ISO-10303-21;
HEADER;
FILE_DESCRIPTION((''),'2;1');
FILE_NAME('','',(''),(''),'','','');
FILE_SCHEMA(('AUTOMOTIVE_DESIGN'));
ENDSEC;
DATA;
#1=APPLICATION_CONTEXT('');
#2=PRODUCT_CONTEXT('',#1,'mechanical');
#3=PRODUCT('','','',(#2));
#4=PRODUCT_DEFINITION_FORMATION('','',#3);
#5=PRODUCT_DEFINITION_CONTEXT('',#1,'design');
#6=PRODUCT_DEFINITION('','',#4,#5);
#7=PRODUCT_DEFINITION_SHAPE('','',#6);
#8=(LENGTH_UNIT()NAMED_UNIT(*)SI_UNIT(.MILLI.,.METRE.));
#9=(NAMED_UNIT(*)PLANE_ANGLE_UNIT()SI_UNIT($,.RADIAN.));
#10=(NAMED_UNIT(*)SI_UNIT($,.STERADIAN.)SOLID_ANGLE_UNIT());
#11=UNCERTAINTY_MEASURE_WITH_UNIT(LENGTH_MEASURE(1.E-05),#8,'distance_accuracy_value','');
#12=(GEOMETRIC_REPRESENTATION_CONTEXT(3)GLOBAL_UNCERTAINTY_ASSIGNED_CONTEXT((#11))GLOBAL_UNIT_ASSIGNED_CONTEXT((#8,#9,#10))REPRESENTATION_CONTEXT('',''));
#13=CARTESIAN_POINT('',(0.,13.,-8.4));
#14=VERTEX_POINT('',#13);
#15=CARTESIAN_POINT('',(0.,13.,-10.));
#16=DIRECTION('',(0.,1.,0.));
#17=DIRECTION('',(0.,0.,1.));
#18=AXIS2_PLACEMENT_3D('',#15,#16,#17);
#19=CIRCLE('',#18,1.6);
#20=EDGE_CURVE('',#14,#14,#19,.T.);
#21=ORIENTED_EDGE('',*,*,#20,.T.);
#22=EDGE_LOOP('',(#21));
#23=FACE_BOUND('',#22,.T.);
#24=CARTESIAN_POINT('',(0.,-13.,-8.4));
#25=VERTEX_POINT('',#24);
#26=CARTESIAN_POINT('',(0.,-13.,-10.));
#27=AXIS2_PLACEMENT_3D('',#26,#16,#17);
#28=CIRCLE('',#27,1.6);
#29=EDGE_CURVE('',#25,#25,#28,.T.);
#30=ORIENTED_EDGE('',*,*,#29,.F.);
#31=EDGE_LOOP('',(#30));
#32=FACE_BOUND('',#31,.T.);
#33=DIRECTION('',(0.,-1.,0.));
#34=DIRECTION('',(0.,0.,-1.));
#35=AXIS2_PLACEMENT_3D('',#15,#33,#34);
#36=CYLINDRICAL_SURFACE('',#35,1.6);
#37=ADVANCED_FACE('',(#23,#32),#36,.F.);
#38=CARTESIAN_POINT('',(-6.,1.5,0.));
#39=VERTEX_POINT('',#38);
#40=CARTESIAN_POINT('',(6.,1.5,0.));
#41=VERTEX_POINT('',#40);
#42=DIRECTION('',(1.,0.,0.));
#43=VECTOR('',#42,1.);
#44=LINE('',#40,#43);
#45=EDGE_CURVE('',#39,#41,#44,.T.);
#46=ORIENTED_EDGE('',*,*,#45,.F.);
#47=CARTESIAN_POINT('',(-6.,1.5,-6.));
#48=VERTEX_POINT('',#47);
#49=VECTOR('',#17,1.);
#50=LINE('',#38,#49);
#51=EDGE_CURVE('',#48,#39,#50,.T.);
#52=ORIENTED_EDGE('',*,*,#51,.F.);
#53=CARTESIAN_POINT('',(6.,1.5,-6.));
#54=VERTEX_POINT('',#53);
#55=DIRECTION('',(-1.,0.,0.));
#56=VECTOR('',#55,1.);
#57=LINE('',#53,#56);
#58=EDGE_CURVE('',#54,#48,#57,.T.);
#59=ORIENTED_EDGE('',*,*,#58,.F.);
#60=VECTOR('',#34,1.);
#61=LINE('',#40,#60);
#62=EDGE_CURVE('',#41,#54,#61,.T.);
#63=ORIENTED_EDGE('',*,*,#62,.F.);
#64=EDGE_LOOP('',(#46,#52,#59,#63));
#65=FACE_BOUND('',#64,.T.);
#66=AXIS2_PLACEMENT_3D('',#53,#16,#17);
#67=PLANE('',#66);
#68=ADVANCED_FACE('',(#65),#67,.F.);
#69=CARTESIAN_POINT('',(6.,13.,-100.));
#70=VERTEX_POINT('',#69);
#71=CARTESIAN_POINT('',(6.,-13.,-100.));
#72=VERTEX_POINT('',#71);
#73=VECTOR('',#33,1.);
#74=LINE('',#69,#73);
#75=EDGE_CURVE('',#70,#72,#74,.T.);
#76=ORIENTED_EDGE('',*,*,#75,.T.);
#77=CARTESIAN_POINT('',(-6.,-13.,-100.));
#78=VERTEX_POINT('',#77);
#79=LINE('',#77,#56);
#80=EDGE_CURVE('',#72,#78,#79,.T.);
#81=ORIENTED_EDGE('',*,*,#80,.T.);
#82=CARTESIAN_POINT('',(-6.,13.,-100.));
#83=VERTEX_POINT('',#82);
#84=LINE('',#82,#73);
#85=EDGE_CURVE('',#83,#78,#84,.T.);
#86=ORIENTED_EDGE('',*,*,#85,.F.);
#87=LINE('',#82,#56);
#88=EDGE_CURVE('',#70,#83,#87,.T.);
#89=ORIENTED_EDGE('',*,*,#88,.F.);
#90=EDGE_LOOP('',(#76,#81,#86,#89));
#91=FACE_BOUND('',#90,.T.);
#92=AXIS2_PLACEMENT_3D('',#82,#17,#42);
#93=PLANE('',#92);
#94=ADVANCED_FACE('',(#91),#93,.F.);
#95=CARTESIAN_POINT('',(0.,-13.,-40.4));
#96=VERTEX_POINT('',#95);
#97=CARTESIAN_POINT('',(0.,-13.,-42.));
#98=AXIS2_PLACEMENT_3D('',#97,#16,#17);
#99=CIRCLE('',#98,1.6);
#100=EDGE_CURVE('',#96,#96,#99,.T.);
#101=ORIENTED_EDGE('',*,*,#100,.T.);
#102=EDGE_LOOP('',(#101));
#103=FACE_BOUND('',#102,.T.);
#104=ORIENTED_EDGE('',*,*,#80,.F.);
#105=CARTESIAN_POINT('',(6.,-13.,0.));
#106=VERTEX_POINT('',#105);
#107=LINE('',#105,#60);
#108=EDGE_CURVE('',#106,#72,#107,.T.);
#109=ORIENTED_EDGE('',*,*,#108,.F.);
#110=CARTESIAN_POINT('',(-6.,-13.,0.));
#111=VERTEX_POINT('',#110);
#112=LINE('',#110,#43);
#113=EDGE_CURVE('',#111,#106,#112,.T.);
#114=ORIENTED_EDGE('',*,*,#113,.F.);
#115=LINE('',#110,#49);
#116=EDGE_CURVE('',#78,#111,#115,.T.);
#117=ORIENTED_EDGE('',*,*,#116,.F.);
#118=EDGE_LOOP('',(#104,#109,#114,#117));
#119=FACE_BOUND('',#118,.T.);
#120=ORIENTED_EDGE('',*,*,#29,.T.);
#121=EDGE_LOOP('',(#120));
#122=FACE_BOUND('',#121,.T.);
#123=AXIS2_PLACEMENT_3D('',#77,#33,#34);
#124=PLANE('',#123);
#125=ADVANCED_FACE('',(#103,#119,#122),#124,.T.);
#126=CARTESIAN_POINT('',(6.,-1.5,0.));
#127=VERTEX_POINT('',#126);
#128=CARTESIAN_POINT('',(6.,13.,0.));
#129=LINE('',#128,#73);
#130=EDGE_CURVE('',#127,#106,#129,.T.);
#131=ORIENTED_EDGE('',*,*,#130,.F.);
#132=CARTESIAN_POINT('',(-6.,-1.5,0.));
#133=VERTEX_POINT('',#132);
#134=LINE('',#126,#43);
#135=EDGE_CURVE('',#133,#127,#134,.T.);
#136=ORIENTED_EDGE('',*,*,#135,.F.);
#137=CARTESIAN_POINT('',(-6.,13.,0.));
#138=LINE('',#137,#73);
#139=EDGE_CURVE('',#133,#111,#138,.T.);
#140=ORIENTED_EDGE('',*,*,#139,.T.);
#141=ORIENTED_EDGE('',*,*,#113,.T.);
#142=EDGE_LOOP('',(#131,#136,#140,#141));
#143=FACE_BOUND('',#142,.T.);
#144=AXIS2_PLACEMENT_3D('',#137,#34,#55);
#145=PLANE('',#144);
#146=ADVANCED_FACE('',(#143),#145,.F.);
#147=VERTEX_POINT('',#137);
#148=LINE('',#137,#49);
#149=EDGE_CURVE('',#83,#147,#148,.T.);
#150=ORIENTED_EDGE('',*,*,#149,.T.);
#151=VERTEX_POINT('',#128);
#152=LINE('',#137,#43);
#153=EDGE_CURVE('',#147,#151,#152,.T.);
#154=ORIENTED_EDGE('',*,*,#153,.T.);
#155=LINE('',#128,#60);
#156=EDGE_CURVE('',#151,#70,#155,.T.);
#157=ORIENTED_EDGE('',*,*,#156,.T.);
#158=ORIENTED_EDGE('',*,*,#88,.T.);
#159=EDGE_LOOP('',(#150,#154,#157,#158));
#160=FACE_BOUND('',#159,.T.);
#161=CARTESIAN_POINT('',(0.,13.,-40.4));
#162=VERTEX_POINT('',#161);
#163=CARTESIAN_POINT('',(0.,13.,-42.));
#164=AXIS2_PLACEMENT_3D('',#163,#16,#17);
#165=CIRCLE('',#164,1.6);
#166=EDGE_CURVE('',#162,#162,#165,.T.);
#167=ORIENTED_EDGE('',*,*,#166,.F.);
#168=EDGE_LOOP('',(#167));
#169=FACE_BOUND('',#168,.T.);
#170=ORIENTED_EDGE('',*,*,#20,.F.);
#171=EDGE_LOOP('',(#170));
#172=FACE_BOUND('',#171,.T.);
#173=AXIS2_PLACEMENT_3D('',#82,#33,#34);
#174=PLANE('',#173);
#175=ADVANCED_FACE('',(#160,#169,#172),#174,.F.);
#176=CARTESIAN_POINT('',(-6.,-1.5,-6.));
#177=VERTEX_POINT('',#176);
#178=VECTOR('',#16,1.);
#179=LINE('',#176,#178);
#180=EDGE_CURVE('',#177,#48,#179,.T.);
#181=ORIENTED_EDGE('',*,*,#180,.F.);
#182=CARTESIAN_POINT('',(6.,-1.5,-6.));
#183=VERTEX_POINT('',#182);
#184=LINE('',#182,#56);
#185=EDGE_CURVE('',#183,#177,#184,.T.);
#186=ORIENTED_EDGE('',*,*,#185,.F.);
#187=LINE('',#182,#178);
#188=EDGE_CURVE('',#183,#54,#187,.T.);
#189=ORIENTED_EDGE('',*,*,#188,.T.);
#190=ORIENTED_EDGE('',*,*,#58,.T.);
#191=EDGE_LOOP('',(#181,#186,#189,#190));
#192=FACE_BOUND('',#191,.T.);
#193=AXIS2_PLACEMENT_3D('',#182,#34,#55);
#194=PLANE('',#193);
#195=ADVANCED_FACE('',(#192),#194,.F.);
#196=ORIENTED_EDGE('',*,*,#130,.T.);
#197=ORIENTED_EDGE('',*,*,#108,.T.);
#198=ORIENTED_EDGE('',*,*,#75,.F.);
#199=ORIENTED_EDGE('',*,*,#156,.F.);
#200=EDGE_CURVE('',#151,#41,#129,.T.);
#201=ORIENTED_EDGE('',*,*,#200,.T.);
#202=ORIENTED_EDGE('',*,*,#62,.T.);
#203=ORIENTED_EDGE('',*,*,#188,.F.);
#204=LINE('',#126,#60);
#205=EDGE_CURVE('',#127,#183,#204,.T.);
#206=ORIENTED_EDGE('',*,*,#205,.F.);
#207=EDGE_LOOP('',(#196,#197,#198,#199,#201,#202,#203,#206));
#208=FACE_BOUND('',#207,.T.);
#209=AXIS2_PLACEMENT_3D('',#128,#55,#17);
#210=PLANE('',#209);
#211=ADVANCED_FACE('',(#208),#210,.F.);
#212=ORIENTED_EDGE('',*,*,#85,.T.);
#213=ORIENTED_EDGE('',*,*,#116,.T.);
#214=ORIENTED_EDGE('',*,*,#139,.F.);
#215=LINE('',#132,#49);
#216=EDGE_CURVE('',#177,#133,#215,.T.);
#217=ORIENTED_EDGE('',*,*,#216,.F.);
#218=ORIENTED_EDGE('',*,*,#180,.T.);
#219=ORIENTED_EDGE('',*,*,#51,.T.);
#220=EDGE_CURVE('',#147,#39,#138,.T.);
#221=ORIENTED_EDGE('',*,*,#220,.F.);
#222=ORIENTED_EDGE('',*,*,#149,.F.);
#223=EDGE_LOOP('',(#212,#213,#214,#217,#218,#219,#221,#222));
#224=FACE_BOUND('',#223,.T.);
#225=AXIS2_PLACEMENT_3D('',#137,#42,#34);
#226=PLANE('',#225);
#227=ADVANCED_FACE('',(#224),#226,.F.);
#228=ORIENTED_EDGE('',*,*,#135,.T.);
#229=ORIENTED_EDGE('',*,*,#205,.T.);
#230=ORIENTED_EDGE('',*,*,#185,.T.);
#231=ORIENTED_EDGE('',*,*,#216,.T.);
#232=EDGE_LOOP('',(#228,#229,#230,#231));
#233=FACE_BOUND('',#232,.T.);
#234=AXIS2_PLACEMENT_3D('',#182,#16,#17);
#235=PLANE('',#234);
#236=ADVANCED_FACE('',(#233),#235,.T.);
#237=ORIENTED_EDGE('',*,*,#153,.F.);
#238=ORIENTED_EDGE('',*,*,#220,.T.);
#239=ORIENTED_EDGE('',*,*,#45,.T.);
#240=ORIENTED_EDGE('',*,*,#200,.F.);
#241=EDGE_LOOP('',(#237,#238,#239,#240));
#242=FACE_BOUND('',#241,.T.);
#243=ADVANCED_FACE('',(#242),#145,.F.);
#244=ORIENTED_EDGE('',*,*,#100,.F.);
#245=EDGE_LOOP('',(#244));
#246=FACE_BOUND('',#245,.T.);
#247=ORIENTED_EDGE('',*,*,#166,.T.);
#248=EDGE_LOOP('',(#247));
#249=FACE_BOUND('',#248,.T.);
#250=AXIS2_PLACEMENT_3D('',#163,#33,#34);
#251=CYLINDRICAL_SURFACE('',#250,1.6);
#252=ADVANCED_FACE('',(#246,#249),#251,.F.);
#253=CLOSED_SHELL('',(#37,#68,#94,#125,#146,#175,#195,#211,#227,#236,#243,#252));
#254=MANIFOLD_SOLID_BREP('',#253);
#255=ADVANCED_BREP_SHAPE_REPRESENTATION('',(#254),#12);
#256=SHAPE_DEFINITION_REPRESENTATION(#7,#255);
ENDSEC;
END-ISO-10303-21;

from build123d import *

# Parameters (mm, degrees)
SKETCH1_W          = 12
SKETCH1_H          = 100
SKETCH1_R          = 1.6
EXTRUDE1_DEPTH     = 13
SKETCH2_W          = 12
SKETCH2_H          = 6
CUT_EXTRUDE1_DEPTH = 1.5


with BuildPart() as part:
    # Sketch1 → Extrude1 (new body, symmetric)
    with BuildSketch(Plane(origin=(0, 0, 0), x_dir=(1, 0, 0), z_dir=(0, 1, 0))):
        with Locations((0, 50)):
            Rectangle(SKETCH1_W, SKETCH1_H)
        with Locations(Location((0, 10, 0), (0, 0, 270))):  # turned: the seam where the file's is
            Circle(SKETCH1_R, mode=Mode.SUBTRACT)
        with Locations(Location((0, 42, 0), (0, 0, 270))):  # turned: the seam where the file's is
            Circle(SKETCH1_R, mode=Mode.SUBTRACT)
    extrude(amount=EXTRUDE1_DEPTH, both=True)

    # Sketch2 → Cut-Extrude1 (cut, symmetric)
    with BuildSketch(Plane(origin=(0, 0, 0), x_dir=(1, 0, 0), z_dir=(0, 1, 0))):
        with Locations((0, 3)):
            Rectangle(SKETCH2_W, SKETCH2_H)
    extrude(amount=CUT_EXTRUDE1_DEPTH, both=True, mode=Mode.SUBTRACT)


solid = part.part
